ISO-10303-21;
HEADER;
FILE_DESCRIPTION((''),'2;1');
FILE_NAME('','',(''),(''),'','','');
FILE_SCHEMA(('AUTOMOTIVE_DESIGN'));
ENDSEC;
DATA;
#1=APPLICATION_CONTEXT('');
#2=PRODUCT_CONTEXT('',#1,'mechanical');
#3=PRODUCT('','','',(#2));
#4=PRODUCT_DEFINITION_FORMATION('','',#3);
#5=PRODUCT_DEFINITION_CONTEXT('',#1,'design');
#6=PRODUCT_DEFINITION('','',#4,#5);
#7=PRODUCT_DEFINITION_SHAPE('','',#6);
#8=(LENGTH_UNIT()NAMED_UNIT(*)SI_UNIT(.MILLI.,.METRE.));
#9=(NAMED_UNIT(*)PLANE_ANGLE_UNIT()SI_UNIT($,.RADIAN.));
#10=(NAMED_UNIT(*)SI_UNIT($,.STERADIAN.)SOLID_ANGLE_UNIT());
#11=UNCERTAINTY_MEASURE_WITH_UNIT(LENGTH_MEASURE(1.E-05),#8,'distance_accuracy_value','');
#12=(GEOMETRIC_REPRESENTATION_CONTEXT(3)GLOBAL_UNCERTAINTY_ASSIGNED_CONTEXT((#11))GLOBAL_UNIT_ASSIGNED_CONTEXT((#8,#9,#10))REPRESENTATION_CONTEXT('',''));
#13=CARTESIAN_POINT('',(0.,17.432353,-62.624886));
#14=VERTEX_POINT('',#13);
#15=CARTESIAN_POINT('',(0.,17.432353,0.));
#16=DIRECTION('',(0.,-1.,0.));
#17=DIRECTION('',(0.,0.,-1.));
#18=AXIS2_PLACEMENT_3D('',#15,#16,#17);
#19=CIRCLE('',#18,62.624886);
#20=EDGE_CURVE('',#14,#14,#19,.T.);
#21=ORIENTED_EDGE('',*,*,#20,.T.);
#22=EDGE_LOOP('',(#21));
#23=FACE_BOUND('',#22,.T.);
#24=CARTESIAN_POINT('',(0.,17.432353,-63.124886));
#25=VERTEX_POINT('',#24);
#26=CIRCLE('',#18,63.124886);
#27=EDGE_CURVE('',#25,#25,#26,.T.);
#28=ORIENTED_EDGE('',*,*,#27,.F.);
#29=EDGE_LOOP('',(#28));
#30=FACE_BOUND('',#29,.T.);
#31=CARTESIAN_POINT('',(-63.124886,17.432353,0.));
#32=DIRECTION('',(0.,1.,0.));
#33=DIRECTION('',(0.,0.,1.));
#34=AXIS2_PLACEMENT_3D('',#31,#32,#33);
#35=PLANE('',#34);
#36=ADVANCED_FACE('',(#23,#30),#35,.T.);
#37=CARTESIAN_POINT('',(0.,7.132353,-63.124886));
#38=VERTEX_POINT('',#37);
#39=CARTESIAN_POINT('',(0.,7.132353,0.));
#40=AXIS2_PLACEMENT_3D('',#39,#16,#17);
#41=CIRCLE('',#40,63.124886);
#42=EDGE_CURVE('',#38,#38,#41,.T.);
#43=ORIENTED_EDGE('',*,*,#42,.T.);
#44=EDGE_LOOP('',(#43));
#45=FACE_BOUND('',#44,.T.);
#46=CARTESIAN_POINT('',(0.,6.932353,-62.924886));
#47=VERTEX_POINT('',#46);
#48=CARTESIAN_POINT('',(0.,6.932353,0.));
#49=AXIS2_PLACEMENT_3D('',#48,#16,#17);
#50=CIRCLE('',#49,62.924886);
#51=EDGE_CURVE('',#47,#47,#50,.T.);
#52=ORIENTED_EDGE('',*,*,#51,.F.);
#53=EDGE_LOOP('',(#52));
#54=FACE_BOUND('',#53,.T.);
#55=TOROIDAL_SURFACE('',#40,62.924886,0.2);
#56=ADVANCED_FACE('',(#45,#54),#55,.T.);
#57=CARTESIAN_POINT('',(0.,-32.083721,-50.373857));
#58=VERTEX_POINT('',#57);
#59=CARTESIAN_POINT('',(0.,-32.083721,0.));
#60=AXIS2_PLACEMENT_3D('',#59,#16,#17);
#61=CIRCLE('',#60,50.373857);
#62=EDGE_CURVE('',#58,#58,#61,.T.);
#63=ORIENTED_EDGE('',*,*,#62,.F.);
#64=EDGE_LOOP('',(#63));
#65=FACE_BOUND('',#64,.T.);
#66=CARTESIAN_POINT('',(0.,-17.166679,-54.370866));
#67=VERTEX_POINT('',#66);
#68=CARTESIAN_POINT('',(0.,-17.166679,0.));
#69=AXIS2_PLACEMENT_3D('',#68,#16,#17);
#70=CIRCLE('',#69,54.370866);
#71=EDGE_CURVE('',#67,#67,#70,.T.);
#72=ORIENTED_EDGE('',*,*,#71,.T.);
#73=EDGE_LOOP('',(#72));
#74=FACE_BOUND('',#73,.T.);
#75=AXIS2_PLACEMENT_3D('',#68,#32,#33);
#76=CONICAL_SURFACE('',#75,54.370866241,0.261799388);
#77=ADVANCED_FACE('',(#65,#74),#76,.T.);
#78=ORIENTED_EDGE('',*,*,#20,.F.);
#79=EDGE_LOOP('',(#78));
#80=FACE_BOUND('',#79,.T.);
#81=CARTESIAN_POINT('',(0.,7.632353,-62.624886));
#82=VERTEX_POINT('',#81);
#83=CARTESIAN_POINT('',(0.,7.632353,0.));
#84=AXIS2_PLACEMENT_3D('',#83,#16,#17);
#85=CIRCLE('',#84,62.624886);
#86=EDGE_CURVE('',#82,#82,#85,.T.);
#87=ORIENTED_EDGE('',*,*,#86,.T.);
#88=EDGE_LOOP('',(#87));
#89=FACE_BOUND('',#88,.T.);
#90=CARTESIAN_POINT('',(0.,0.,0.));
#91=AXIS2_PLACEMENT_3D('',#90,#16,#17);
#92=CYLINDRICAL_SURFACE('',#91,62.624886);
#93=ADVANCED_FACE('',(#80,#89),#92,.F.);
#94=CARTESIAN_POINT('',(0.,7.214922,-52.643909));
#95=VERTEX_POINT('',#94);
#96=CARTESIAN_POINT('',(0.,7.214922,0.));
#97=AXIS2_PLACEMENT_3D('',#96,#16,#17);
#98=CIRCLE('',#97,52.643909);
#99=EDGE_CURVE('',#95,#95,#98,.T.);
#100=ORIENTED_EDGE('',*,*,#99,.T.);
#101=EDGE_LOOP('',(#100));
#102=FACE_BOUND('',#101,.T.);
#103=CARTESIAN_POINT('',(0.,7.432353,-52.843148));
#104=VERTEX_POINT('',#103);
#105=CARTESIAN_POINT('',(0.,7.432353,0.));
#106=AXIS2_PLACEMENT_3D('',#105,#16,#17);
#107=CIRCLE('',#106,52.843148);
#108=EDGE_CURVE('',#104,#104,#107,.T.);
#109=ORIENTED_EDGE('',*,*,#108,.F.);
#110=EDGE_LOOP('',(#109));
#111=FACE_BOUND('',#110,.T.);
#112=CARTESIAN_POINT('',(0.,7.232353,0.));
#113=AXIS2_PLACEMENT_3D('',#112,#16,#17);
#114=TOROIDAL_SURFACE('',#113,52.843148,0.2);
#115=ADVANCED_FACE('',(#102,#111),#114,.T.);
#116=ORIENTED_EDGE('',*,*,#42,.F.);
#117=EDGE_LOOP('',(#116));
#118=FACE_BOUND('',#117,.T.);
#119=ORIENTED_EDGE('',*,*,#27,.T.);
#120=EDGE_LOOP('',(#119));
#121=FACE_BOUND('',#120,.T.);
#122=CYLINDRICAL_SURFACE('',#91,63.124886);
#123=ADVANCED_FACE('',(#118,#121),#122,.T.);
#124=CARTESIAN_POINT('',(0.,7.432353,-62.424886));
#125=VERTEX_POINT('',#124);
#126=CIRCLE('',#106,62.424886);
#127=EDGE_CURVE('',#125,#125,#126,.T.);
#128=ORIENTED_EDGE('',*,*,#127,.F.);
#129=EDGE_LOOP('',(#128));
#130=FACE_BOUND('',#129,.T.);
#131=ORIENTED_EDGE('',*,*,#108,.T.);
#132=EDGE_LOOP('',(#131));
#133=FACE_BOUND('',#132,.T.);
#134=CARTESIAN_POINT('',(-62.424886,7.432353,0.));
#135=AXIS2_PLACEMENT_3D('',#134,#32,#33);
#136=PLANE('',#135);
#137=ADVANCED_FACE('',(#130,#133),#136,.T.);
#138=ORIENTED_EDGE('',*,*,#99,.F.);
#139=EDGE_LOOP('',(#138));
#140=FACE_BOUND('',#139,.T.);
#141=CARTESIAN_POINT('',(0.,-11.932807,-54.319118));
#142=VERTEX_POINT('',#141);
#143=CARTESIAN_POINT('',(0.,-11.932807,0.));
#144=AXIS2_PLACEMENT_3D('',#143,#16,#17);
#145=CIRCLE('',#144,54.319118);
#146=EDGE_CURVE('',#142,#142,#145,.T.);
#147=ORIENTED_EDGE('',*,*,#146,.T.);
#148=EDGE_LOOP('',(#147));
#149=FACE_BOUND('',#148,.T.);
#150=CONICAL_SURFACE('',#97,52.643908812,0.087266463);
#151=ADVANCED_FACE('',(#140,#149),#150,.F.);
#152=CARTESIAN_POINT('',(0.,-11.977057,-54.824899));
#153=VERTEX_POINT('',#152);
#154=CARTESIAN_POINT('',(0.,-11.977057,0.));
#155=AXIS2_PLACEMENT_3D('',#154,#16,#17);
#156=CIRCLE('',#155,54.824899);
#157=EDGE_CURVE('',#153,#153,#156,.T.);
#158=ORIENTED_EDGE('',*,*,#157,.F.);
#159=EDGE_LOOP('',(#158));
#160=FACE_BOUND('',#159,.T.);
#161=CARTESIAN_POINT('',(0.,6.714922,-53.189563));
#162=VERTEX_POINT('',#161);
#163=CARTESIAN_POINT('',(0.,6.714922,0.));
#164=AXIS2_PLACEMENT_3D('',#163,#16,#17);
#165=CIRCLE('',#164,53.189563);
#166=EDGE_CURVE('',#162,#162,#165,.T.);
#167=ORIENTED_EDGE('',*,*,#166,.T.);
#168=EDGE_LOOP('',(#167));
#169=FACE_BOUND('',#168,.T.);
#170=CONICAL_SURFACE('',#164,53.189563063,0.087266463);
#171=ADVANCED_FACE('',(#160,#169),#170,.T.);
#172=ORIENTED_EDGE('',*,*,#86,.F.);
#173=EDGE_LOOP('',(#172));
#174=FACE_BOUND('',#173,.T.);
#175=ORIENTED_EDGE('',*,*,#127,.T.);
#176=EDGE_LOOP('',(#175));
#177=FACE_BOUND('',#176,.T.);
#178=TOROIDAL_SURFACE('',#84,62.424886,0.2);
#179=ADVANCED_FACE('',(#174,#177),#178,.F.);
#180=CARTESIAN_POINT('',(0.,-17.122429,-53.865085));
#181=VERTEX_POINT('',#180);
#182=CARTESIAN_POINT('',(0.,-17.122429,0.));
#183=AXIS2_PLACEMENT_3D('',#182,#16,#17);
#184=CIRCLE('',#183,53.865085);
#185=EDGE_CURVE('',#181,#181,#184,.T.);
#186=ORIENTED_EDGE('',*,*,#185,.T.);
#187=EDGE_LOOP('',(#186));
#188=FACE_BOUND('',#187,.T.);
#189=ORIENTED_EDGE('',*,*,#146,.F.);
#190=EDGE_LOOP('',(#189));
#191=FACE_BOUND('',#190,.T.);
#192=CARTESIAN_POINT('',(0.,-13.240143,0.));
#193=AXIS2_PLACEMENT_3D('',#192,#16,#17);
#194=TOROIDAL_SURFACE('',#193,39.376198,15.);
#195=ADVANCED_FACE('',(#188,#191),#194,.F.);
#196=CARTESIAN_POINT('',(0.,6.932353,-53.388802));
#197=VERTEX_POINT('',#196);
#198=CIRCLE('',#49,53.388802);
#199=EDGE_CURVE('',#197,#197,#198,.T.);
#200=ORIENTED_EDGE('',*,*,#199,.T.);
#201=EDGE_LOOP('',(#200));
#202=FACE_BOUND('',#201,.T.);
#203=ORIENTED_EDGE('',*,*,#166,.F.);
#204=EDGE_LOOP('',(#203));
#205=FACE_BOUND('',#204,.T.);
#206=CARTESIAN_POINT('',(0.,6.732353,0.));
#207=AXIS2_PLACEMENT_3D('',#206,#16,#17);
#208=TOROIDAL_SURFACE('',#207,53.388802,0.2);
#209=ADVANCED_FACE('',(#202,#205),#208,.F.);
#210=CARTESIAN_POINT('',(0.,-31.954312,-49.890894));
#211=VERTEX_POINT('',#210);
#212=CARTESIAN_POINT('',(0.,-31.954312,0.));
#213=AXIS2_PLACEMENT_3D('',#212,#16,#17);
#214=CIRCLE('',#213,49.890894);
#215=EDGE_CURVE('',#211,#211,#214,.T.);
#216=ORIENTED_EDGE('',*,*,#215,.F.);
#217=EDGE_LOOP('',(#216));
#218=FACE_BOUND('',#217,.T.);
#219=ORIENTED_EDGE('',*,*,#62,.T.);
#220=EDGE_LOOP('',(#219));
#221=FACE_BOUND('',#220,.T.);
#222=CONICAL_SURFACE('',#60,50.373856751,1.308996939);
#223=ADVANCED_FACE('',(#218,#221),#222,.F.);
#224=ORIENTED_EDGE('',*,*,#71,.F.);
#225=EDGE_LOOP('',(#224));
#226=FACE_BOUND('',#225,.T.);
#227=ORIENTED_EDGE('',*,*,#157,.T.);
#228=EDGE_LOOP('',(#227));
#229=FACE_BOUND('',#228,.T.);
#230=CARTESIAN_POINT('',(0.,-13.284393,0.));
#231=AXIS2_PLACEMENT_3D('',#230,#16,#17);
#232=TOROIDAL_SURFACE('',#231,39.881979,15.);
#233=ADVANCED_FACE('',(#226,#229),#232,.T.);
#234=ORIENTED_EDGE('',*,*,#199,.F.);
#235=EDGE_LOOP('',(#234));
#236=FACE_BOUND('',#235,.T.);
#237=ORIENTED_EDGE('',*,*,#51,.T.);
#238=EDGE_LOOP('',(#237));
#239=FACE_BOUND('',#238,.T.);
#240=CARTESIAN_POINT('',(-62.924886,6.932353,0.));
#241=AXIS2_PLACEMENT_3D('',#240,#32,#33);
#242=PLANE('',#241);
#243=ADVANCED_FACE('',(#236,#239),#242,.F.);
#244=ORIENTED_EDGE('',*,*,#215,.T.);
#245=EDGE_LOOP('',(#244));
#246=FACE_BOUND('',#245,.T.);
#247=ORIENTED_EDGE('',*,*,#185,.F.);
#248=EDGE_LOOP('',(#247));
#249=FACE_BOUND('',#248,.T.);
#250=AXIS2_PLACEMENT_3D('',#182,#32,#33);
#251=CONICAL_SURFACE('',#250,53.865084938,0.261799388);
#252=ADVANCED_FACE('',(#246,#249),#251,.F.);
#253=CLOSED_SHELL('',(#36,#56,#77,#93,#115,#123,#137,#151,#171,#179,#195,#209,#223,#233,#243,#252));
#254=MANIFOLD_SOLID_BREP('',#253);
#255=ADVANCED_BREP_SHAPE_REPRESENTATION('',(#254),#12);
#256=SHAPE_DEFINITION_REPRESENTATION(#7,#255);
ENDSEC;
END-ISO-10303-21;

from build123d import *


with BuildPart() as part:
    # Çizim1 → Döndür1 (revolve)
    with BuildSketch(Plane.XY, mode=Mode.PRIVATE) as d_nd_r1_sk:
        with BuildLine():
            Line((-62.624886052, 17.432352941), (-62.624886052, 7.632352941))
            ThreePointArc((-62.624886052, 7.632352941), (-62.566307408, 7.490931585), (-62.424886052, 7.432352941))
            Line((-62.424886052, 7.432352941), (-52.843147752, 7.432352941))
            ThreePointArc((-52.843147752, 7.432352941), (-52.695692285, 7.367470983), (-52.643908812, 7.214921793))
            Line((-52.643908812, 7.214921793), (-54.319118015, -11.932807009))
            ThreePointArc((-54.319118015, -11.932807009), (-54.319118015, -14.547479292), (-53.865084938, -17.122428827))
            Line((-53.865084938, -17.122428827), (-49.890893837, -31.954311932))
            Line((-49.890893837, -31.954311932), (-50.373856751, -32.083721455))
            Line((-50.373856751, -32.083721455), (-54.370866241, -17.166678957))
            ThreePointArc((-54.370866241, -17.166678957), (-54.824899318, -14.591729422), (-54.824899318, -11.977057139))
            Line((-54.824899318, -11.977057139), (-53.189563063, 6.714921793))
            ThreePointArc((-53.189563063, 6.714921793), (-53.241346535, 6.867470983), (-53.388802002, 6.932352941))
            Line((-53.388802002, 6.932352941), (-62.924886052, 6.932352941))
            ThreePointArc((-62.924886052, 6.932352941), (-63.066307408, 6.990931585), (-63.124886052, 7.132352941))
            Line((-63.124886052, 7.132352941), (-63.124886052, 17.432352941))
            Line((-63.124886052, 17.432352941), (-62.624886052, 17.432352941))
        make_face()
    revolve(d_nd_r1_sk.sketch.rotate(Axis((0, 0, 0), (0, 1, 0)), 270), axis=Axis((0, 0, 0), (0, 1, 0)))


solid = part.part
